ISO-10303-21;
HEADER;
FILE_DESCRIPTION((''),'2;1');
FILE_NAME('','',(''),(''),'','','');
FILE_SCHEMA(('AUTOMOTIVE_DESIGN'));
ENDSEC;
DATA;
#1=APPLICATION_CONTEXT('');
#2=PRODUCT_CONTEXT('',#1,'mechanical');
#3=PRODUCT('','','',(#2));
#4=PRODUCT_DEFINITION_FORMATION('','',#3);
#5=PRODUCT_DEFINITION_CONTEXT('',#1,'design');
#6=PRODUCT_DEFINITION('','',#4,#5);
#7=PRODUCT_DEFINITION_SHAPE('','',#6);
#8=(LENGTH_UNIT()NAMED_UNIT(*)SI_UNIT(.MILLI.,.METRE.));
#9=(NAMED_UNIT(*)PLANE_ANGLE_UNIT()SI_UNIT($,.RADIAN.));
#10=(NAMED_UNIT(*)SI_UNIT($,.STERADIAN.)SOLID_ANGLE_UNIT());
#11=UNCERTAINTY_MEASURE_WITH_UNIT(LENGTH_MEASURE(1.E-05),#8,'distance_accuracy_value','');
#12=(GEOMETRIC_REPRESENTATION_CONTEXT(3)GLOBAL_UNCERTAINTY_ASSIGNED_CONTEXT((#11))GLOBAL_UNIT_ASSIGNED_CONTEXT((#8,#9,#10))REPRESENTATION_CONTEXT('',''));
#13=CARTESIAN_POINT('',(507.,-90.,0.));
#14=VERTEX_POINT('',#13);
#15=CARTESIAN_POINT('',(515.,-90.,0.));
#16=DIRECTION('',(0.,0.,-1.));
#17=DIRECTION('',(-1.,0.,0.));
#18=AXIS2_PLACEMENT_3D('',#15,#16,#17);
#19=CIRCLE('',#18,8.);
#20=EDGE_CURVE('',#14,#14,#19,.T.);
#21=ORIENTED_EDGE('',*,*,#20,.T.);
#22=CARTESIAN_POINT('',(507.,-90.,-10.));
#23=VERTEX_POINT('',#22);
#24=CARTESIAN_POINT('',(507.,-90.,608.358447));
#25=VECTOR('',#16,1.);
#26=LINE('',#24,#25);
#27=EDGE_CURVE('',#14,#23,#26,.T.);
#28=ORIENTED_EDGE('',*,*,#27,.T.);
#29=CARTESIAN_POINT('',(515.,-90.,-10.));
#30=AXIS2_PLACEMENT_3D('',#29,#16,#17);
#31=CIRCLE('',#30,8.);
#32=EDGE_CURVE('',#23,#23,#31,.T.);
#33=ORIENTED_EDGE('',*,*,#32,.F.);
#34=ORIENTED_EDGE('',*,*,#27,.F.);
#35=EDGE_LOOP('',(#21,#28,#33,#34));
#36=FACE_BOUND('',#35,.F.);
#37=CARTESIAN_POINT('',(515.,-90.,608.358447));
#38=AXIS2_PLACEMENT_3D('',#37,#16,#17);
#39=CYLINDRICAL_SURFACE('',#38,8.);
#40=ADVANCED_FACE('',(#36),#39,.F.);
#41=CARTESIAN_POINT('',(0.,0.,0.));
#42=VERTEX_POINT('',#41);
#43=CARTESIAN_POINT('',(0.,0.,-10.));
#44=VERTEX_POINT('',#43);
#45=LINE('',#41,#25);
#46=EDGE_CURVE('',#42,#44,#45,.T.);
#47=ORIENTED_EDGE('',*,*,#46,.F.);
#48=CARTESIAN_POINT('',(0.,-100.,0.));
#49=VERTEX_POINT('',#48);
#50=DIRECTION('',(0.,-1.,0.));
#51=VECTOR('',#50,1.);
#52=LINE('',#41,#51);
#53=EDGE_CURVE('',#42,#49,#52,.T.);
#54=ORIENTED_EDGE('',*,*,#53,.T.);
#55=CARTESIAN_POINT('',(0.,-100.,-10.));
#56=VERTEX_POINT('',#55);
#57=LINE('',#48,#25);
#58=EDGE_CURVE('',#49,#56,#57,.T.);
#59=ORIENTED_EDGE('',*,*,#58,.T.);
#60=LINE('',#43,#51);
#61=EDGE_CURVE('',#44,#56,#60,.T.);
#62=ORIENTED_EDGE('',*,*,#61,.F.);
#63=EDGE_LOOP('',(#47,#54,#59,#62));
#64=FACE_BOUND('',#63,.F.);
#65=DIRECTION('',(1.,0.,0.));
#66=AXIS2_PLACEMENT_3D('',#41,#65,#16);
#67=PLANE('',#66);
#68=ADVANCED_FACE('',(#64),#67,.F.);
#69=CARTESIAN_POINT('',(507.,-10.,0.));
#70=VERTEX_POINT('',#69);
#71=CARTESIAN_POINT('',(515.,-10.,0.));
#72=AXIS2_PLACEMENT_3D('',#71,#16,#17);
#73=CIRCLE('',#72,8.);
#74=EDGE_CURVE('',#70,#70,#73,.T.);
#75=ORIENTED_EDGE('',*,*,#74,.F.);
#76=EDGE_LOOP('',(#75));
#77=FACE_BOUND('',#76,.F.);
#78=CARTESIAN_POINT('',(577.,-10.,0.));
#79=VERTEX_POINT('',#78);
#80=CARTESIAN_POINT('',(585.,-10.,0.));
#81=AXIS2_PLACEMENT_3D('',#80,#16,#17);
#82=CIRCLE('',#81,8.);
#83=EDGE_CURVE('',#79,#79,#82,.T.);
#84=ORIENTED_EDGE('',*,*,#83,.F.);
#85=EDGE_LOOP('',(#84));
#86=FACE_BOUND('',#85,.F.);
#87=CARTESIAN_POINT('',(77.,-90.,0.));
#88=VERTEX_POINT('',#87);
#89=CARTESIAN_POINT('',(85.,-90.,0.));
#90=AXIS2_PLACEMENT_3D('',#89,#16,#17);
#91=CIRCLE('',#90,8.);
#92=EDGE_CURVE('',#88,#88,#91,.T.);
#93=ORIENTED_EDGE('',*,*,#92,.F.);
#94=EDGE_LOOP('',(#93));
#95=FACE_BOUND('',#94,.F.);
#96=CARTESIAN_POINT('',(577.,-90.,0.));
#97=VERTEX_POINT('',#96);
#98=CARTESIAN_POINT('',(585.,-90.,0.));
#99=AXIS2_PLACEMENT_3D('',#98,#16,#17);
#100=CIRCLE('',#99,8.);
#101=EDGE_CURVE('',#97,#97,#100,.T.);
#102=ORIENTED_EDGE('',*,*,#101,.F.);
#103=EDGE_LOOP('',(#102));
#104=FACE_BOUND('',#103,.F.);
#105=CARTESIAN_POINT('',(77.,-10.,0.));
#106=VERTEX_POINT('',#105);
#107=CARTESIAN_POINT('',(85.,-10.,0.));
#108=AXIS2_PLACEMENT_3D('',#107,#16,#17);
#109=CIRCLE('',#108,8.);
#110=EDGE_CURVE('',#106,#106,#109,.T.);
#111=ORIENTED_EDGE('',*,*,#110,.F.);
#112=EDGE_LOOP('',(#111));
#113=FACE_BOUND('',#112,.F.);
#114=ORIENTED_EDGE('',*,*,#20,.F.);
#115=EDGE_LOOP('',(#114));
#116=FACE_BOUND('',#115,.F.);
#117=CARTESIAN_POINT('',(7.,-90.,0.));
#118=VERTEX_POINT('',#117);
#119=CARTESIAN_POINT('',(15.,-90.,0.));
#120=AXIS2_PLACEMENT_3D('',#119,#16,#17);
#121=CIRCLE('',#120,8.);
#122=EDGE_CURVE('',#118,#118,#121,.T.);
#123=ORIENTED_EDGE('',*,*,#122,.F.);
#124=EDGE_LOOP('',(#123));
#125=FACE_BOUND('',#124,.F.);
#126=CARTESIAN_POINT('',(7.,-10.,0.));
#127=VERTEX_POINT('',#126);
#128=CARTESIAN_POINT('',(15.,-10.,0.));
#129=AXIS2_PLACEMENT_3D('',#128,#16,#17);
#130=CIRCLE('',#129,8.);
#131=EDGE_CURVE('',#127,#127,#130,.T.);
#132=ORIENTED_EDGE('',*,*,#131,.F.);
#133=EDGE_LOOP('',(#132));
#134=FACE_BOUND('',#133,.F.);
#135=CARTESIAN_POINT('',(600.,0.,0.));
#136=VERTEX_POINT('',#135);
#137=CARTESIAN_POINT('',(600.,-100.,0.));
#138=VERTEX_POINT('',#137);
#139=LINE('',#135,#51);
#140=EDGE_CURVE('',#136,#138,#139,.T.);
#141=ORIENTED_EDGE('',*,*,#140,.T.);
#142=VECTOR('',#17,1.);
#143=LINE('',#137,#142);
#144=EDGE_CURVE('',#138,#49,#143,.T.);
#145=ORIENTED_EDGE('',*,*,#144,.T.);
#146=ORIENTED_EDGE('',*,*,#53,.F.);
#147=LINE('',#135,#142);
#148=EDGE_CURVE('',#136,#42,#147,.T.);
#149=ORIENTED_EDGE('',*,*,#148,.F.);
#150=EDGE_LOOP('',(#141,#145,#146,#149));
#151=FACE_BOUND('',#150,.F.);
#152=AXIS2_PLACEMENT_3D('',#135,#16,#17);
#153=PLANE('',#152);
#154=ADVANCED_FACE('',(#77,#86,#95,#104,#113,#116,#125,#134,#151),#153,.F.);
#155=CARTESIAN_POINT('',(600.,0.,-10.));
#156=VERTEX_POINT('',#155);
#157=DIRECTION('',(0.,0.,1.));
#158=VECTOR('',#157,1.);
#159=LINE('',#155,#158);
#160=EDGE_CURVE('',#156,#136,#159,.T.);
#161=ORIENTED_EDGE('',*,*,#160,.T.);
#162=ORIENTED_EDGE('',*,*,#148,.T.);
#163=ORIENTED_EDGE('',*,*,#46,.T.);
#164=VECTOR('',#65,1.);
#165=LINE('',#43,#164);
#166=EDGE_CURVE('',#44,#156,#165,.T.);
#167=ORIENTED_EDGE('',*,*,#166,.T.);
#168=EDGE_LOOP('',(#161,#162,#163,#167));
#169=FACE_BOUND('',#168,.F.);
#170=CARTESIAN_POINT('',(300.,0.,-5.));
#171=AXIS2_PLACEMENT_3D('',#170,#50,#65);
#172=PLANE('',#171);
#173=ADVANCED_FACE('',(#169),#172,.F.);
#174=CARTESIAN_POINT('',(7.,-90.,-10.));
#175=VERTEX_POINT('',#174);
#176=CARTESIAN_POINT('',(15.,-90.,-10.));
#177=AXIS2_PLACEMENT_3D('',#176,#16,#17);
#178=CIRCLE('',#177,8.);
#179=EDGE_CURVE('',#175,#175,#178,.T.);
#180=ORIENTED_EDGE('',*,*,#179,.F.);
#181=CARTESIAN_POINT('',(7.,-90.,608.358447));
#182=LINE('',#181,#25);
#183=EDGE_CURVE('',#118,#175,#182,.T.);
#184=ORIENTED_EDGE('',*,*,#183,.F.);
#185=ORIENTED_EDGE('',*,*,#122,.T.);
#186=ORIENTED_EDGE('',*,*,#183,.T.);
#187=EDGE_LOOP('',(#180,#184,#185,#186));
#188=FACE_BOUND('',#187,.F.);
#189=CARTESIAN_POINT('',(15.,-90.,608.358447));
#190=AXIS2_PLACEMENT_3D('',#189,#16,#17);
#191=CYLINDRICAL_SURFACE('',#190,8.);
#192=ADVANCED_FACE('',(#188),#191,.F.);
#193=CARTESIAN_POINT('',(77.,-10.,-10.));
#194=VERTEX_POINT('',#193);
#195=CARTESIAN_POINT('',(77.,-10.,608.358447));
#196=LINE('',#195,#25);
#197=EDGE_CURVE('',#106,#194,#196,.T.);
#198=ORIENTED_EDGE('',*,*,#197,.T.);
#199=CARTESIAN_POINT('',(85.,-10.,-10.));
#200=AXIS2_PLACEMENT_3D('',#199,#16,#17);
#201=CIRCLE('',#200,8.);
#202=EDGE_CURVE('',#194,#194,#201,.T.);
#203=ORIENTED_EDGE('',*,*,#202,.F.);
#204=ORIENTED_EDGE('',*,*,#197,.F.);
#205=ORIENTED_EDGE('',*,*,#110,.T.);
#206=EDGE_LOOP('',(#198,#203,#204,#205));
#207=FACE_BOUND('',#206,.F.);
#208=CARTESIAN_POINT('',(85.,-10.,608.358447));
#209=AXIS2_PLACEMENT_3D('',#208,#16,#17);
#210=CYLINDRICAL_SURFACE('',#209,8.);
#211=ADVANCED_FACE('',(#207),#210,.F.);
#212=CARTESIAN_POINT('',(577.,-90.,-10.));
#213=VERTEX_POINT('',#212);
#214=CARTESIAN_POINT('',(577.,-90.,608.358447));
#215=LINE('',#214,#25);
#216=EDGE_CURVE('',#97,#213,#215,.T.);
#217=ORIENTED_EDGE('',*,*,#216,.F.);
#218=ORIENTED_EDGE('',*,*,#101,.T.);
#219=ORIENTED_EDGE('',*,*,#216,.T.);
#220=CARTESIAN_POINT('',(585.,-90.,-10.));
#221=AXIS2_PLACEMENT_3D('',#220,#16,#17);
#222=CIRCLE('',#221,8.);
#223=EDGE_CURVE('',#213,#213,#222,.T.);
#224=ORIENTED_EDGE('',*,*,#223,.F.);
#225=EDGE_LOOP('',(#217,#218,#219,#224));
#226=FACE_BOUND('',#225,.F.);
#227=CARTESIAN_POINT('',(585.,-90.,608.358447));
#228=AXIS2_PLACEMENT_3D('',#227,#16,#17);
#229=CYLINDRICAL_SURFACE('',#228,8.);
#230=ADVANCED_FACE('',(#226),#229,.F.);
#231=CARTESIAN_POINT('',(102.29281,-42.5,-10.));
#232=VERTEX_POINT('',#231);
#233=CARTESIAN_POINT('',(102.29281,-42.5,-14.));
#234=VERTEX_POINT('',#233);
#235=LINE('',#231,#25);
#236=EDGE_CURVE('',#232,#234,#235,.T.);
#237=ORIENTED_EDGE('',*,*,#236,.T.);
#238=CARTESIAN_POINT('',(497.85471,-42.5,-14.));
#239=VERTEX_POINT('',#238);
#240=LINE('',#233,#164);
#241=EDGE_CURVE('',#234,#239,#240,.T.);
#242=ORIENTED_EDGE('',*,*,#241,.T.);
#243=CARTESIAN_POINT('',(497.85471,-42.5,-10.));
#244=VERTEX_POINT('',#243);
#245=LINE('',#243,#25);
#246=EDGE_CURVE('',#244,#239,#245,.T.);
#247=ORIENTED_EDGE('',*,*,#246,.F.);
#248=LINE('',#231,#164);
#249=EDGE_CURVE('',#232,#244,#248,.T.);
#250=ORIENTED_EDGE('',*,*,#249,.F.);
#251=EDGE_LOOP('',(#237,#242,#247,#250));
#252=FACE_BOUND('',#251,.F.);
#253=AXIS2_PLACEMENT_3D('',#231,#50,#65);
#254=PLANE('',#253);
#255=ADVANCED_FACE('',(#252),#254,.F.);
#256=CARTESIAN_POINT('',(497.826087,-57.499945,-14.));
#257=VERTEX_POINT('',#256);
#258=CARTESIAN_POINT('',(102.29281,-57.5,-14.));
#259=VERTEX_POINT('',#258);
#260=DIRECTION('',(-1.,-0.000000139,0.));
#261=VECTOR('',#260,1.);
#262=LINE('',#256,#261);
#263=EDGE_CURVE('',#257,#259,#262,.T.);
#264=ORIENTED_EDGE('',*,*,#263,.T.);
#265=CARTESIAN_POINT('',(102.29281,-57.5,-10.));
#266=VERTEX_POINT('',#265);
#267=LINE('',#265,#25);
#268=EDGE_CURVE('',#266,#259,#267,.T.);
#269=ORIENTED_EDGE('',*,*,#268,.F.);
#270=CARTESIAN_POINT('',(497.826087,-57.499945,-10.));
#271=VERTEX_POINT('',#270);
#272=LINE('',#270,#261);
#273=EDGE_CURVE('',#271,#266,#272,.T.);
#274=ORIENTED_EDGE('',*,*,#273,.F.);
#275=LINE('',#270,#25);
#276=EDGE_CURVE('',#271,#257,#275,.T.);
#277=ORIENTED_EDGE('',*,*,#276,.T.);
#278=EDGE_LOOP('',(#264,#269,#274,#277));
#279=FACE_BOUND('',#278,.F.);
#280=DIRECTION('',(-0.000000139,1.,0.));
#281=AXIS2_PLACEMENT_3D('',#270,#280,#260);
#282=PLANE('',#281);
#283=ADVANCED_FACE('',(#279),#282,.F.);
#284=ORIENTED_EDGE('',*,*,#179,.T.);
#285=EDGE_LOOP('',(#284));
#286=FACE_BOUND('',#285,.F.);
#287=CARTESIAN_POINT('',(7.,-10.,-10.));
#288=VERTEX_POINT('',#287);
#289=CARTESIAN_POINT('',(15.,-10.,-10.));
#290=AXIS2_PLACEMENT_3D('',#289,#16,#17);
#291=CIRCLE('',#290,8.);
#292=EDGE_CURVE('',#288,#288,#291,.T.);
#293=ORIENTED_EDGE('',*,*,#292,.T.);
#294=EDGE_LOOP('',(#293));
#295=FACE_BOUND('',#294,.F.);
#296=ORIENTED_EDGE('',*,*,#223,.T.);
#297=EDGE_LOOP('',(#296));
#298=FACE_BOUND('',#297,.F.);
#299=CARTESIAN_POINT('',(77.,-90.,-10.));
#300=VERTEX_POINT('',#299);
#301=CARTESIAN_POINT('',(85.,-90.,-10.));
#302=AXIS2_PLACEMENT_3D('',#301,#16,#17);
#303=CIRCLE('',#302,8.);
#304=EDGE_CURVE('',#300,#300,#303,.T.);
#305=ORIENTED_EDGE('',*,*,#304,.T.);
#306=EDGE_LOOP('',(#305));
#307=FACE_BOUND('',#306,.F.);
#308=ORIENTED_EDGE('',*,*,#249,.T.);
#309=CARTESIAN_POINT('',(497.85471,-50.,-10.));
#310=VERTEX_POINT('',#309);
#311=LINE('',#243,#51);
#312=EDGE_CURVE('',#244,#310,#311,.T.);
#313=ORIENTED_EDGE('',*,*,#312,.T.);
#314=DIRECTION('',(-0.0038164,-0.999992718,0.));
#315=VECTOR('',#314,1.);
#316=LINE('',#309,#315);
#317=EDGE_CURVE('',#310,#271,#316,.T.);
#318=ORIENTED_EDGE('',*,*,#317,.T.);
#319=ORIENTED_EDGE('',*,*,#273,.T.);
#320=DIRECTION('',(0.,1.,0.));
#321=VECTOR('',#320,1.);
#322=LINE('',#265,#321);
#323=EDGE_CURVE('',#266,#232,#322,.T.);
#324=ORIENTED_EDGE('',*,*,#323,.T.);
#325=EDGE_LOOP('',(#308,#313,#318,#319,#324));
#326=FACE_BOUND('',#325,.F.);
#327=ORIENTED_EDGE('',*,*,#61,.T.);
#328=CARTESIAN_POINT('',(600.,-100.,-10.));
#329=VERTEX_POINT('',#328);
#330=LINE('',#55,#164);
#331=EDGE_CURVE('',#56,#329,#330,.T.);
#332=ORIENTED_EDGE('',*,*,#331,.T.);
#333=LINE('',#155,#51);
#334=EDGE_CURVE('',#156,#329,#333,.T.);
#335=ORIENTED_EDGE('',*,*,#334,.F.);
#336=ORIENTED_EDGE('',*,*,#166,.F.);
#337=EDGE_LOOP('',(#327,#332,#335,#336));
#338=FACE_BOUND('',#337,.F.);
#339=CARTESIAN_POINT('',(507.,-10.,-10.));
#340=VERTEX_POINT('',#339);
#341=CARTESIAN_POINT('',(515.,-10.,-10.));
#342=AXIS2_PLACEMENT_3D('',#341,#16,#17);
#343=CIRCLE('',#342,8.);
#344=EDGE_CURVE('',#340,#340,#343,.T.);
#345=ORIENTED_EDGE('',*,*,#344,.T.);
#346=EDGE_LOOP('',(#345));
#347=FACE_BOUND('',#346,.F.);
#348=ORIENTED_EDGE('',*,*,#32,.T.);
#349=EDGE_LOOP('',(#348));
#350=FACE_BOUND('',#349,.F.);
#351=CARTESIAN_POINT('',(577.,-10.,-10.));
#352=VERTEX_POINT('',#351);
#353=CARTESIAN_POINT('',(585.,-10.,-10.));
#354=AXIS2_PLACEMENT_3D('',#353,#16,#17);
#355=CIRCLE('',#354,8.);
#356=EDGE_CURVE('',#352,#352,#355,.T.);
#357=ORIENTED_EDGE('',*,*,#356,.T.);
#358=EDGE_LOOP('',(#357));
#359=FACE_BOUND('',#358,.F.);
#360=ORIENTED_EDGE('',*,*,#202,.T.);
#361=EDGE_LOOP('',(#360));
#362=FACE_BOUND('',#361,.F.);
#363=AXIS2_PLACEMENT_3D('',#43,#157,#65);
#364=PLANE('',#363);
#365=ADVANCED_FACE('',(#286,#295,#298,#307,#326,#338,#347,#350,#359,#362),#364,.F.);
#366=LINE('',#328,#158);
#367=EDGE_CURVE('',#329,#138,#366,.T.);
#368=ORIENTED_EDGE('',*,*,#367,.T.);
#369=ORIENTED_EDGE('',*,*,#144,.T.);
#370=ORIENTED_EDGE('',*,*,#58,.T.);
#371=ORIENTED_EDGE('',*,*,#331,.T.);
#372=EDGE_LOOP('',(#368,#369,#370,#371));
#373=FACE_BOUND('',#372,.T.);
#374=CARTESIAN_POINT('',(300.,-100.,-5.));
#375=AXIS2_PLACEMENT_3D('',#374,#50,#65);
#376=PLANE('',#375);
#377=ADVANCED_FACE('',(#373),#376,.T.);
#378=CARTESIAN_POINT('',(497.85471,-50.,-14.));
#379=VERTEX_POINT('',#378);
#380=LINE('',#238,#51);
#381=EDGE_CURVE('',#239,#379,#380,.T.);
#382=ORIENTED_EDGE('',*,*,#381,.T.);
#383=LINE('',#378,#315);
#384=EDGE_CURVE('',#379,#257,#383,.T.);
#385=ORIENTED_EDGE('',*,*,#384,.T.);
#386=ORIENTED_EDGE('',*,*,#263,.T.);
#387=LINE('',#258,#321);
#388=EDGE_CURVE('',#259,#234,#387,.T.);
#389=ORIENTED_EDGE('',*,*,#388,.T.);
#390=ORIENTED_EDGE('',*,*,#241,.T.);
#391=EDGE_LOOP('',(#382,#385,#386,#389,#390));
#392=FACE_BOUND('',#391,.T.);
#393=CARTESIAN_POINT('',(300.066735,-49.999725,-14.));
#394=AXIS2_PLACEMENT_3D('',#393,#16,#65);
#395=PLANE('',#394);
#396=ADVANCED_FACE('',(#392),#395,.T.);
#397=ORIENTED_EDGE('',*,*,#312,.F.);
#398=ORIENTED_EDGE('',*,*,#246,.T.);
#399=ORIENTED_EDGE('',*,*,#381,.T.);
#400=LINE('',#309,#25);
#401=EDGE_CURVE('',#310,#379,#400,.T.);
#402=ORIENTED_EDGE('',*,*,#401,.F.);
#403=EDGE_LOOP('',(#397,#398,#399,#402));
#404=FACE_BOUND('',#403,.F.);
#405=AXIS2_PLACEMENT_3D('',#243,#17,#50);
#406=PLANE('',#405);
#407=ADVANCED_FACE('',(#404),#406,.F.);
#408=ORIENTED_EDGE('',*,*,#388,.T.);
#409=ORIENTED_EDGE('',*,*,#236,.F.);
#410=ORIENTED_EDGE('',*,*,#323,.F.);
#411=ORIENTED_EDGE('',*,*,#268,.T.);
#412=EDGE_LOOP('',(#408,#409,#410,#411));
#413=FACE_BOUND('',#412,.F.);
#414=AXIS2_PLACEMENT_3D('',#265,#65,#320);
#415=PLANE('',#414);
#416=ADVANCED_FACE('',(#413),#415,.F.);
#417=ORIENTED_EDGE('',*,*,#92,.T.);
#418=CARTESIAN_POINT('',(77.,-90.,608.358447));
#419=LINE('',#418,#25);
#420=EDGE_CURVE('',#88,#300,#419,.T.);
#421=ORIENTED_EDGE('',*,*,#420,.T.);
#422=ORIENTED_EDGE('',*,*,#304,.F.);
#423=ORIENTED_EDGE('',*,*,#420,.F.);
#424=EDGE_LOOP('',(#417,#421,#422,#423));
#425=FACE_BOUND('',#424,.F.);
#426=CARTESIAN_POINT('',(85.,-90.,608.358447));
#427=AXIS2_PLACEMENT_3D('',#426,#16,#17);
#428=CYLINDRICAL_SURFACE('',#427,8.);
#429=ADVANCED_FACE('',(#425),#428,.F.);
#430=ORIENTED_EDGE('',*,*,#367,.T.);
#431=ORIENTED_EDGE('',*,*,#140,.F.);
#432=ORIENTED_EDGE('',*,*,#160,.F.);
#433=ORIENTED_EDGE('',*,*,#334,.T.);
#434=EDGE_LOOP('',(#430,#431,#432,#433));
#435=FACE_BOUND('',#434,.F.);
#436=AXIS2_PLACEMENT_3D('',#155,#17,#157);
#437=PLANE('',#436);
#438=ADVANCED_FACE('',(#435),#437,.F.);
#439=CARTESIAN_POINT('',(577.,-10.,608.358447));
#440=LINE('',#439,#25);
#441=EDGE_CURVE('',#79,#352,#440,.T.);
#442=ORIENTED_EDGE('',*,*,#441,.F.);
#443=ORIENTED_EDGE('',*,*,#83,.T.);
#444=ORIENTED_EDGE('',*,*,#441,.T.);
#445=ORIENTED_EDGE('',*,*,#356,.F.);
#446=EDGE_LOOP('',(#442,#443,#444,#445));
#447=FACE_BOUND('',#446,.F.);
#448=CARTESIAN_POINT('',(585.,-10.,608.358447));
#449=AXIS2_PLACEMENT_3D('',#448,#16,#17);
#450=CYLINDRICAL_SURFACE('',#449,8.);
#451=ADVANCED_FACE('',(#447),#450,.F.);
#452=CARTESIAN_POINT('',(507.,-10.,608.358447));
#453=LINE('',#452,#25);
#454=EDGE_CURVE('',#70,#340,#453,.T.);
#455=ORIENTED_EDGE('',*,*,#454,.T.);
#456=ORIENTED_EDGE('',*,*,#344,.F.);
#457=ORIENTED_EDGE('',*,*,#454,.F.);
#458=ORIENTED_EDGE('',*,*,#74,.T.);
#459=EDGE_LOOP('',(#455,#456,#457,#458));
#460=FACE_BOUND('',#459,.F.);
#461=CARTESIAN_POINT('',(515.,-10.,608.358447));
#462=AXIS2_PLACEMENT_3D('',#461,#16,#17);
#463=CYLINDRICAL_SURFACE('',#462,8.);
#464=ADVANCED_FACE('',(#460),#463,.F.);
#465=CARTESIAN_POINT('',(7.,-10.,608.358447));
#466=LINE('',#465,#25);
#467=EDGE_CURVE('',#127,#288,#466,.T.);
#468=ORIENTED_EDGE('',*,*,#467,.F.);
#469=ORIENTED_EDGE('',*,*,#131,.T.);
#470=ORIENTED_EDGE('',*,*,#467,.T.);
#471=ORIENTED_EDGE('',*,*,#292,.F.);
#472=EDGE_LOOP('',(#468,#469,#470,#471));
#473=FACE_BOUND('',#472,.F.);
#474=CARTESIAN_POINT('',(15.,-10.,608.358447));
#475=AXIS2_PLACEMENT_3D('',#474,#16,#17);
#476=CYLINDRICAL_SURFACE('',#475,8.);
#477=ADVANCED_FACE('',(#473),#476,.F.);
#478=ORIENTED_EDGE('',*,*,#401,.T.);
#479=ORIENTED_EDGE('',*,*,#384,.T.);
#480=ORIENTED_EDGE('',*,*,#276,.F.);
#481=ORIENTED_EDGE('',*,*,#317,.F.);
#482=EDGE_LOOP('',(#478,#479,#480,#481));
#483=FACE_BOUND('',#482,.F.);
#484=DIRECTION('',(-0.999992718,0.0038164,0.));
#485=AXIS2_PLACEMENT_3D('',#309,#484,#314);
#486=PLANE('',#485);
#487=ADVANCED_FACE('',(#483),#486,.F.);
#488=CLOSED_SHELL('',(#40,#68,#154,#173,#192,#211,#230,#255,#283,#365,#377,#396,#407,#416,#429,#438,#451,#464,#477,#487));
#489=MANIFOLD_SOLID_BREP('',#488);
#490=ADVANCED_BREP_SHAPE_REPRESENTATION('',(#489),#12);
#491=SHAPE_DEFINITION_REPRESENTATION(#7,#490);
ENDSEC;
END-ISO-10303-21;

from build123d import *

# Parameters (mm, degrees)
F1_DEPTH = 100
F3_D     = 16
F5_DEPTH = 4


with BuildPart() as f1:
    # F0 (on Front) → F1 (new body)
    with BuildSketch(Plane.XZ):
        Polygon((600, 0), (0, 0), (0, -10), (70, -10), (530, -10), (600, -10), align=None)
    extrude(amount=F1_DEPTH)

    # F3 (through all)
    with Locations(Plane.XY):
        with Locations((15, -10), (15, -90), (85, -10), (85, -90), (515, -10), (515, -90), (585, -90), (585, -10)):
            Hole(F3_D / 2)

    # F4 (on face) → F5 (join)
    with BuildSketch(Plane(origin=(0, 0, -10), x_dir=(1, 0, 0), z_dir=(0, 0, -1))):
        Polygon((102.29281, 57.5), (102.29281, 50), (102.29281, 42.5), (497.85471, 42.5), (497.85471, 50), (497.826087, 57.499945), align=None)
    extrude(amount=F5_DEPTH)


solid = f1.part
